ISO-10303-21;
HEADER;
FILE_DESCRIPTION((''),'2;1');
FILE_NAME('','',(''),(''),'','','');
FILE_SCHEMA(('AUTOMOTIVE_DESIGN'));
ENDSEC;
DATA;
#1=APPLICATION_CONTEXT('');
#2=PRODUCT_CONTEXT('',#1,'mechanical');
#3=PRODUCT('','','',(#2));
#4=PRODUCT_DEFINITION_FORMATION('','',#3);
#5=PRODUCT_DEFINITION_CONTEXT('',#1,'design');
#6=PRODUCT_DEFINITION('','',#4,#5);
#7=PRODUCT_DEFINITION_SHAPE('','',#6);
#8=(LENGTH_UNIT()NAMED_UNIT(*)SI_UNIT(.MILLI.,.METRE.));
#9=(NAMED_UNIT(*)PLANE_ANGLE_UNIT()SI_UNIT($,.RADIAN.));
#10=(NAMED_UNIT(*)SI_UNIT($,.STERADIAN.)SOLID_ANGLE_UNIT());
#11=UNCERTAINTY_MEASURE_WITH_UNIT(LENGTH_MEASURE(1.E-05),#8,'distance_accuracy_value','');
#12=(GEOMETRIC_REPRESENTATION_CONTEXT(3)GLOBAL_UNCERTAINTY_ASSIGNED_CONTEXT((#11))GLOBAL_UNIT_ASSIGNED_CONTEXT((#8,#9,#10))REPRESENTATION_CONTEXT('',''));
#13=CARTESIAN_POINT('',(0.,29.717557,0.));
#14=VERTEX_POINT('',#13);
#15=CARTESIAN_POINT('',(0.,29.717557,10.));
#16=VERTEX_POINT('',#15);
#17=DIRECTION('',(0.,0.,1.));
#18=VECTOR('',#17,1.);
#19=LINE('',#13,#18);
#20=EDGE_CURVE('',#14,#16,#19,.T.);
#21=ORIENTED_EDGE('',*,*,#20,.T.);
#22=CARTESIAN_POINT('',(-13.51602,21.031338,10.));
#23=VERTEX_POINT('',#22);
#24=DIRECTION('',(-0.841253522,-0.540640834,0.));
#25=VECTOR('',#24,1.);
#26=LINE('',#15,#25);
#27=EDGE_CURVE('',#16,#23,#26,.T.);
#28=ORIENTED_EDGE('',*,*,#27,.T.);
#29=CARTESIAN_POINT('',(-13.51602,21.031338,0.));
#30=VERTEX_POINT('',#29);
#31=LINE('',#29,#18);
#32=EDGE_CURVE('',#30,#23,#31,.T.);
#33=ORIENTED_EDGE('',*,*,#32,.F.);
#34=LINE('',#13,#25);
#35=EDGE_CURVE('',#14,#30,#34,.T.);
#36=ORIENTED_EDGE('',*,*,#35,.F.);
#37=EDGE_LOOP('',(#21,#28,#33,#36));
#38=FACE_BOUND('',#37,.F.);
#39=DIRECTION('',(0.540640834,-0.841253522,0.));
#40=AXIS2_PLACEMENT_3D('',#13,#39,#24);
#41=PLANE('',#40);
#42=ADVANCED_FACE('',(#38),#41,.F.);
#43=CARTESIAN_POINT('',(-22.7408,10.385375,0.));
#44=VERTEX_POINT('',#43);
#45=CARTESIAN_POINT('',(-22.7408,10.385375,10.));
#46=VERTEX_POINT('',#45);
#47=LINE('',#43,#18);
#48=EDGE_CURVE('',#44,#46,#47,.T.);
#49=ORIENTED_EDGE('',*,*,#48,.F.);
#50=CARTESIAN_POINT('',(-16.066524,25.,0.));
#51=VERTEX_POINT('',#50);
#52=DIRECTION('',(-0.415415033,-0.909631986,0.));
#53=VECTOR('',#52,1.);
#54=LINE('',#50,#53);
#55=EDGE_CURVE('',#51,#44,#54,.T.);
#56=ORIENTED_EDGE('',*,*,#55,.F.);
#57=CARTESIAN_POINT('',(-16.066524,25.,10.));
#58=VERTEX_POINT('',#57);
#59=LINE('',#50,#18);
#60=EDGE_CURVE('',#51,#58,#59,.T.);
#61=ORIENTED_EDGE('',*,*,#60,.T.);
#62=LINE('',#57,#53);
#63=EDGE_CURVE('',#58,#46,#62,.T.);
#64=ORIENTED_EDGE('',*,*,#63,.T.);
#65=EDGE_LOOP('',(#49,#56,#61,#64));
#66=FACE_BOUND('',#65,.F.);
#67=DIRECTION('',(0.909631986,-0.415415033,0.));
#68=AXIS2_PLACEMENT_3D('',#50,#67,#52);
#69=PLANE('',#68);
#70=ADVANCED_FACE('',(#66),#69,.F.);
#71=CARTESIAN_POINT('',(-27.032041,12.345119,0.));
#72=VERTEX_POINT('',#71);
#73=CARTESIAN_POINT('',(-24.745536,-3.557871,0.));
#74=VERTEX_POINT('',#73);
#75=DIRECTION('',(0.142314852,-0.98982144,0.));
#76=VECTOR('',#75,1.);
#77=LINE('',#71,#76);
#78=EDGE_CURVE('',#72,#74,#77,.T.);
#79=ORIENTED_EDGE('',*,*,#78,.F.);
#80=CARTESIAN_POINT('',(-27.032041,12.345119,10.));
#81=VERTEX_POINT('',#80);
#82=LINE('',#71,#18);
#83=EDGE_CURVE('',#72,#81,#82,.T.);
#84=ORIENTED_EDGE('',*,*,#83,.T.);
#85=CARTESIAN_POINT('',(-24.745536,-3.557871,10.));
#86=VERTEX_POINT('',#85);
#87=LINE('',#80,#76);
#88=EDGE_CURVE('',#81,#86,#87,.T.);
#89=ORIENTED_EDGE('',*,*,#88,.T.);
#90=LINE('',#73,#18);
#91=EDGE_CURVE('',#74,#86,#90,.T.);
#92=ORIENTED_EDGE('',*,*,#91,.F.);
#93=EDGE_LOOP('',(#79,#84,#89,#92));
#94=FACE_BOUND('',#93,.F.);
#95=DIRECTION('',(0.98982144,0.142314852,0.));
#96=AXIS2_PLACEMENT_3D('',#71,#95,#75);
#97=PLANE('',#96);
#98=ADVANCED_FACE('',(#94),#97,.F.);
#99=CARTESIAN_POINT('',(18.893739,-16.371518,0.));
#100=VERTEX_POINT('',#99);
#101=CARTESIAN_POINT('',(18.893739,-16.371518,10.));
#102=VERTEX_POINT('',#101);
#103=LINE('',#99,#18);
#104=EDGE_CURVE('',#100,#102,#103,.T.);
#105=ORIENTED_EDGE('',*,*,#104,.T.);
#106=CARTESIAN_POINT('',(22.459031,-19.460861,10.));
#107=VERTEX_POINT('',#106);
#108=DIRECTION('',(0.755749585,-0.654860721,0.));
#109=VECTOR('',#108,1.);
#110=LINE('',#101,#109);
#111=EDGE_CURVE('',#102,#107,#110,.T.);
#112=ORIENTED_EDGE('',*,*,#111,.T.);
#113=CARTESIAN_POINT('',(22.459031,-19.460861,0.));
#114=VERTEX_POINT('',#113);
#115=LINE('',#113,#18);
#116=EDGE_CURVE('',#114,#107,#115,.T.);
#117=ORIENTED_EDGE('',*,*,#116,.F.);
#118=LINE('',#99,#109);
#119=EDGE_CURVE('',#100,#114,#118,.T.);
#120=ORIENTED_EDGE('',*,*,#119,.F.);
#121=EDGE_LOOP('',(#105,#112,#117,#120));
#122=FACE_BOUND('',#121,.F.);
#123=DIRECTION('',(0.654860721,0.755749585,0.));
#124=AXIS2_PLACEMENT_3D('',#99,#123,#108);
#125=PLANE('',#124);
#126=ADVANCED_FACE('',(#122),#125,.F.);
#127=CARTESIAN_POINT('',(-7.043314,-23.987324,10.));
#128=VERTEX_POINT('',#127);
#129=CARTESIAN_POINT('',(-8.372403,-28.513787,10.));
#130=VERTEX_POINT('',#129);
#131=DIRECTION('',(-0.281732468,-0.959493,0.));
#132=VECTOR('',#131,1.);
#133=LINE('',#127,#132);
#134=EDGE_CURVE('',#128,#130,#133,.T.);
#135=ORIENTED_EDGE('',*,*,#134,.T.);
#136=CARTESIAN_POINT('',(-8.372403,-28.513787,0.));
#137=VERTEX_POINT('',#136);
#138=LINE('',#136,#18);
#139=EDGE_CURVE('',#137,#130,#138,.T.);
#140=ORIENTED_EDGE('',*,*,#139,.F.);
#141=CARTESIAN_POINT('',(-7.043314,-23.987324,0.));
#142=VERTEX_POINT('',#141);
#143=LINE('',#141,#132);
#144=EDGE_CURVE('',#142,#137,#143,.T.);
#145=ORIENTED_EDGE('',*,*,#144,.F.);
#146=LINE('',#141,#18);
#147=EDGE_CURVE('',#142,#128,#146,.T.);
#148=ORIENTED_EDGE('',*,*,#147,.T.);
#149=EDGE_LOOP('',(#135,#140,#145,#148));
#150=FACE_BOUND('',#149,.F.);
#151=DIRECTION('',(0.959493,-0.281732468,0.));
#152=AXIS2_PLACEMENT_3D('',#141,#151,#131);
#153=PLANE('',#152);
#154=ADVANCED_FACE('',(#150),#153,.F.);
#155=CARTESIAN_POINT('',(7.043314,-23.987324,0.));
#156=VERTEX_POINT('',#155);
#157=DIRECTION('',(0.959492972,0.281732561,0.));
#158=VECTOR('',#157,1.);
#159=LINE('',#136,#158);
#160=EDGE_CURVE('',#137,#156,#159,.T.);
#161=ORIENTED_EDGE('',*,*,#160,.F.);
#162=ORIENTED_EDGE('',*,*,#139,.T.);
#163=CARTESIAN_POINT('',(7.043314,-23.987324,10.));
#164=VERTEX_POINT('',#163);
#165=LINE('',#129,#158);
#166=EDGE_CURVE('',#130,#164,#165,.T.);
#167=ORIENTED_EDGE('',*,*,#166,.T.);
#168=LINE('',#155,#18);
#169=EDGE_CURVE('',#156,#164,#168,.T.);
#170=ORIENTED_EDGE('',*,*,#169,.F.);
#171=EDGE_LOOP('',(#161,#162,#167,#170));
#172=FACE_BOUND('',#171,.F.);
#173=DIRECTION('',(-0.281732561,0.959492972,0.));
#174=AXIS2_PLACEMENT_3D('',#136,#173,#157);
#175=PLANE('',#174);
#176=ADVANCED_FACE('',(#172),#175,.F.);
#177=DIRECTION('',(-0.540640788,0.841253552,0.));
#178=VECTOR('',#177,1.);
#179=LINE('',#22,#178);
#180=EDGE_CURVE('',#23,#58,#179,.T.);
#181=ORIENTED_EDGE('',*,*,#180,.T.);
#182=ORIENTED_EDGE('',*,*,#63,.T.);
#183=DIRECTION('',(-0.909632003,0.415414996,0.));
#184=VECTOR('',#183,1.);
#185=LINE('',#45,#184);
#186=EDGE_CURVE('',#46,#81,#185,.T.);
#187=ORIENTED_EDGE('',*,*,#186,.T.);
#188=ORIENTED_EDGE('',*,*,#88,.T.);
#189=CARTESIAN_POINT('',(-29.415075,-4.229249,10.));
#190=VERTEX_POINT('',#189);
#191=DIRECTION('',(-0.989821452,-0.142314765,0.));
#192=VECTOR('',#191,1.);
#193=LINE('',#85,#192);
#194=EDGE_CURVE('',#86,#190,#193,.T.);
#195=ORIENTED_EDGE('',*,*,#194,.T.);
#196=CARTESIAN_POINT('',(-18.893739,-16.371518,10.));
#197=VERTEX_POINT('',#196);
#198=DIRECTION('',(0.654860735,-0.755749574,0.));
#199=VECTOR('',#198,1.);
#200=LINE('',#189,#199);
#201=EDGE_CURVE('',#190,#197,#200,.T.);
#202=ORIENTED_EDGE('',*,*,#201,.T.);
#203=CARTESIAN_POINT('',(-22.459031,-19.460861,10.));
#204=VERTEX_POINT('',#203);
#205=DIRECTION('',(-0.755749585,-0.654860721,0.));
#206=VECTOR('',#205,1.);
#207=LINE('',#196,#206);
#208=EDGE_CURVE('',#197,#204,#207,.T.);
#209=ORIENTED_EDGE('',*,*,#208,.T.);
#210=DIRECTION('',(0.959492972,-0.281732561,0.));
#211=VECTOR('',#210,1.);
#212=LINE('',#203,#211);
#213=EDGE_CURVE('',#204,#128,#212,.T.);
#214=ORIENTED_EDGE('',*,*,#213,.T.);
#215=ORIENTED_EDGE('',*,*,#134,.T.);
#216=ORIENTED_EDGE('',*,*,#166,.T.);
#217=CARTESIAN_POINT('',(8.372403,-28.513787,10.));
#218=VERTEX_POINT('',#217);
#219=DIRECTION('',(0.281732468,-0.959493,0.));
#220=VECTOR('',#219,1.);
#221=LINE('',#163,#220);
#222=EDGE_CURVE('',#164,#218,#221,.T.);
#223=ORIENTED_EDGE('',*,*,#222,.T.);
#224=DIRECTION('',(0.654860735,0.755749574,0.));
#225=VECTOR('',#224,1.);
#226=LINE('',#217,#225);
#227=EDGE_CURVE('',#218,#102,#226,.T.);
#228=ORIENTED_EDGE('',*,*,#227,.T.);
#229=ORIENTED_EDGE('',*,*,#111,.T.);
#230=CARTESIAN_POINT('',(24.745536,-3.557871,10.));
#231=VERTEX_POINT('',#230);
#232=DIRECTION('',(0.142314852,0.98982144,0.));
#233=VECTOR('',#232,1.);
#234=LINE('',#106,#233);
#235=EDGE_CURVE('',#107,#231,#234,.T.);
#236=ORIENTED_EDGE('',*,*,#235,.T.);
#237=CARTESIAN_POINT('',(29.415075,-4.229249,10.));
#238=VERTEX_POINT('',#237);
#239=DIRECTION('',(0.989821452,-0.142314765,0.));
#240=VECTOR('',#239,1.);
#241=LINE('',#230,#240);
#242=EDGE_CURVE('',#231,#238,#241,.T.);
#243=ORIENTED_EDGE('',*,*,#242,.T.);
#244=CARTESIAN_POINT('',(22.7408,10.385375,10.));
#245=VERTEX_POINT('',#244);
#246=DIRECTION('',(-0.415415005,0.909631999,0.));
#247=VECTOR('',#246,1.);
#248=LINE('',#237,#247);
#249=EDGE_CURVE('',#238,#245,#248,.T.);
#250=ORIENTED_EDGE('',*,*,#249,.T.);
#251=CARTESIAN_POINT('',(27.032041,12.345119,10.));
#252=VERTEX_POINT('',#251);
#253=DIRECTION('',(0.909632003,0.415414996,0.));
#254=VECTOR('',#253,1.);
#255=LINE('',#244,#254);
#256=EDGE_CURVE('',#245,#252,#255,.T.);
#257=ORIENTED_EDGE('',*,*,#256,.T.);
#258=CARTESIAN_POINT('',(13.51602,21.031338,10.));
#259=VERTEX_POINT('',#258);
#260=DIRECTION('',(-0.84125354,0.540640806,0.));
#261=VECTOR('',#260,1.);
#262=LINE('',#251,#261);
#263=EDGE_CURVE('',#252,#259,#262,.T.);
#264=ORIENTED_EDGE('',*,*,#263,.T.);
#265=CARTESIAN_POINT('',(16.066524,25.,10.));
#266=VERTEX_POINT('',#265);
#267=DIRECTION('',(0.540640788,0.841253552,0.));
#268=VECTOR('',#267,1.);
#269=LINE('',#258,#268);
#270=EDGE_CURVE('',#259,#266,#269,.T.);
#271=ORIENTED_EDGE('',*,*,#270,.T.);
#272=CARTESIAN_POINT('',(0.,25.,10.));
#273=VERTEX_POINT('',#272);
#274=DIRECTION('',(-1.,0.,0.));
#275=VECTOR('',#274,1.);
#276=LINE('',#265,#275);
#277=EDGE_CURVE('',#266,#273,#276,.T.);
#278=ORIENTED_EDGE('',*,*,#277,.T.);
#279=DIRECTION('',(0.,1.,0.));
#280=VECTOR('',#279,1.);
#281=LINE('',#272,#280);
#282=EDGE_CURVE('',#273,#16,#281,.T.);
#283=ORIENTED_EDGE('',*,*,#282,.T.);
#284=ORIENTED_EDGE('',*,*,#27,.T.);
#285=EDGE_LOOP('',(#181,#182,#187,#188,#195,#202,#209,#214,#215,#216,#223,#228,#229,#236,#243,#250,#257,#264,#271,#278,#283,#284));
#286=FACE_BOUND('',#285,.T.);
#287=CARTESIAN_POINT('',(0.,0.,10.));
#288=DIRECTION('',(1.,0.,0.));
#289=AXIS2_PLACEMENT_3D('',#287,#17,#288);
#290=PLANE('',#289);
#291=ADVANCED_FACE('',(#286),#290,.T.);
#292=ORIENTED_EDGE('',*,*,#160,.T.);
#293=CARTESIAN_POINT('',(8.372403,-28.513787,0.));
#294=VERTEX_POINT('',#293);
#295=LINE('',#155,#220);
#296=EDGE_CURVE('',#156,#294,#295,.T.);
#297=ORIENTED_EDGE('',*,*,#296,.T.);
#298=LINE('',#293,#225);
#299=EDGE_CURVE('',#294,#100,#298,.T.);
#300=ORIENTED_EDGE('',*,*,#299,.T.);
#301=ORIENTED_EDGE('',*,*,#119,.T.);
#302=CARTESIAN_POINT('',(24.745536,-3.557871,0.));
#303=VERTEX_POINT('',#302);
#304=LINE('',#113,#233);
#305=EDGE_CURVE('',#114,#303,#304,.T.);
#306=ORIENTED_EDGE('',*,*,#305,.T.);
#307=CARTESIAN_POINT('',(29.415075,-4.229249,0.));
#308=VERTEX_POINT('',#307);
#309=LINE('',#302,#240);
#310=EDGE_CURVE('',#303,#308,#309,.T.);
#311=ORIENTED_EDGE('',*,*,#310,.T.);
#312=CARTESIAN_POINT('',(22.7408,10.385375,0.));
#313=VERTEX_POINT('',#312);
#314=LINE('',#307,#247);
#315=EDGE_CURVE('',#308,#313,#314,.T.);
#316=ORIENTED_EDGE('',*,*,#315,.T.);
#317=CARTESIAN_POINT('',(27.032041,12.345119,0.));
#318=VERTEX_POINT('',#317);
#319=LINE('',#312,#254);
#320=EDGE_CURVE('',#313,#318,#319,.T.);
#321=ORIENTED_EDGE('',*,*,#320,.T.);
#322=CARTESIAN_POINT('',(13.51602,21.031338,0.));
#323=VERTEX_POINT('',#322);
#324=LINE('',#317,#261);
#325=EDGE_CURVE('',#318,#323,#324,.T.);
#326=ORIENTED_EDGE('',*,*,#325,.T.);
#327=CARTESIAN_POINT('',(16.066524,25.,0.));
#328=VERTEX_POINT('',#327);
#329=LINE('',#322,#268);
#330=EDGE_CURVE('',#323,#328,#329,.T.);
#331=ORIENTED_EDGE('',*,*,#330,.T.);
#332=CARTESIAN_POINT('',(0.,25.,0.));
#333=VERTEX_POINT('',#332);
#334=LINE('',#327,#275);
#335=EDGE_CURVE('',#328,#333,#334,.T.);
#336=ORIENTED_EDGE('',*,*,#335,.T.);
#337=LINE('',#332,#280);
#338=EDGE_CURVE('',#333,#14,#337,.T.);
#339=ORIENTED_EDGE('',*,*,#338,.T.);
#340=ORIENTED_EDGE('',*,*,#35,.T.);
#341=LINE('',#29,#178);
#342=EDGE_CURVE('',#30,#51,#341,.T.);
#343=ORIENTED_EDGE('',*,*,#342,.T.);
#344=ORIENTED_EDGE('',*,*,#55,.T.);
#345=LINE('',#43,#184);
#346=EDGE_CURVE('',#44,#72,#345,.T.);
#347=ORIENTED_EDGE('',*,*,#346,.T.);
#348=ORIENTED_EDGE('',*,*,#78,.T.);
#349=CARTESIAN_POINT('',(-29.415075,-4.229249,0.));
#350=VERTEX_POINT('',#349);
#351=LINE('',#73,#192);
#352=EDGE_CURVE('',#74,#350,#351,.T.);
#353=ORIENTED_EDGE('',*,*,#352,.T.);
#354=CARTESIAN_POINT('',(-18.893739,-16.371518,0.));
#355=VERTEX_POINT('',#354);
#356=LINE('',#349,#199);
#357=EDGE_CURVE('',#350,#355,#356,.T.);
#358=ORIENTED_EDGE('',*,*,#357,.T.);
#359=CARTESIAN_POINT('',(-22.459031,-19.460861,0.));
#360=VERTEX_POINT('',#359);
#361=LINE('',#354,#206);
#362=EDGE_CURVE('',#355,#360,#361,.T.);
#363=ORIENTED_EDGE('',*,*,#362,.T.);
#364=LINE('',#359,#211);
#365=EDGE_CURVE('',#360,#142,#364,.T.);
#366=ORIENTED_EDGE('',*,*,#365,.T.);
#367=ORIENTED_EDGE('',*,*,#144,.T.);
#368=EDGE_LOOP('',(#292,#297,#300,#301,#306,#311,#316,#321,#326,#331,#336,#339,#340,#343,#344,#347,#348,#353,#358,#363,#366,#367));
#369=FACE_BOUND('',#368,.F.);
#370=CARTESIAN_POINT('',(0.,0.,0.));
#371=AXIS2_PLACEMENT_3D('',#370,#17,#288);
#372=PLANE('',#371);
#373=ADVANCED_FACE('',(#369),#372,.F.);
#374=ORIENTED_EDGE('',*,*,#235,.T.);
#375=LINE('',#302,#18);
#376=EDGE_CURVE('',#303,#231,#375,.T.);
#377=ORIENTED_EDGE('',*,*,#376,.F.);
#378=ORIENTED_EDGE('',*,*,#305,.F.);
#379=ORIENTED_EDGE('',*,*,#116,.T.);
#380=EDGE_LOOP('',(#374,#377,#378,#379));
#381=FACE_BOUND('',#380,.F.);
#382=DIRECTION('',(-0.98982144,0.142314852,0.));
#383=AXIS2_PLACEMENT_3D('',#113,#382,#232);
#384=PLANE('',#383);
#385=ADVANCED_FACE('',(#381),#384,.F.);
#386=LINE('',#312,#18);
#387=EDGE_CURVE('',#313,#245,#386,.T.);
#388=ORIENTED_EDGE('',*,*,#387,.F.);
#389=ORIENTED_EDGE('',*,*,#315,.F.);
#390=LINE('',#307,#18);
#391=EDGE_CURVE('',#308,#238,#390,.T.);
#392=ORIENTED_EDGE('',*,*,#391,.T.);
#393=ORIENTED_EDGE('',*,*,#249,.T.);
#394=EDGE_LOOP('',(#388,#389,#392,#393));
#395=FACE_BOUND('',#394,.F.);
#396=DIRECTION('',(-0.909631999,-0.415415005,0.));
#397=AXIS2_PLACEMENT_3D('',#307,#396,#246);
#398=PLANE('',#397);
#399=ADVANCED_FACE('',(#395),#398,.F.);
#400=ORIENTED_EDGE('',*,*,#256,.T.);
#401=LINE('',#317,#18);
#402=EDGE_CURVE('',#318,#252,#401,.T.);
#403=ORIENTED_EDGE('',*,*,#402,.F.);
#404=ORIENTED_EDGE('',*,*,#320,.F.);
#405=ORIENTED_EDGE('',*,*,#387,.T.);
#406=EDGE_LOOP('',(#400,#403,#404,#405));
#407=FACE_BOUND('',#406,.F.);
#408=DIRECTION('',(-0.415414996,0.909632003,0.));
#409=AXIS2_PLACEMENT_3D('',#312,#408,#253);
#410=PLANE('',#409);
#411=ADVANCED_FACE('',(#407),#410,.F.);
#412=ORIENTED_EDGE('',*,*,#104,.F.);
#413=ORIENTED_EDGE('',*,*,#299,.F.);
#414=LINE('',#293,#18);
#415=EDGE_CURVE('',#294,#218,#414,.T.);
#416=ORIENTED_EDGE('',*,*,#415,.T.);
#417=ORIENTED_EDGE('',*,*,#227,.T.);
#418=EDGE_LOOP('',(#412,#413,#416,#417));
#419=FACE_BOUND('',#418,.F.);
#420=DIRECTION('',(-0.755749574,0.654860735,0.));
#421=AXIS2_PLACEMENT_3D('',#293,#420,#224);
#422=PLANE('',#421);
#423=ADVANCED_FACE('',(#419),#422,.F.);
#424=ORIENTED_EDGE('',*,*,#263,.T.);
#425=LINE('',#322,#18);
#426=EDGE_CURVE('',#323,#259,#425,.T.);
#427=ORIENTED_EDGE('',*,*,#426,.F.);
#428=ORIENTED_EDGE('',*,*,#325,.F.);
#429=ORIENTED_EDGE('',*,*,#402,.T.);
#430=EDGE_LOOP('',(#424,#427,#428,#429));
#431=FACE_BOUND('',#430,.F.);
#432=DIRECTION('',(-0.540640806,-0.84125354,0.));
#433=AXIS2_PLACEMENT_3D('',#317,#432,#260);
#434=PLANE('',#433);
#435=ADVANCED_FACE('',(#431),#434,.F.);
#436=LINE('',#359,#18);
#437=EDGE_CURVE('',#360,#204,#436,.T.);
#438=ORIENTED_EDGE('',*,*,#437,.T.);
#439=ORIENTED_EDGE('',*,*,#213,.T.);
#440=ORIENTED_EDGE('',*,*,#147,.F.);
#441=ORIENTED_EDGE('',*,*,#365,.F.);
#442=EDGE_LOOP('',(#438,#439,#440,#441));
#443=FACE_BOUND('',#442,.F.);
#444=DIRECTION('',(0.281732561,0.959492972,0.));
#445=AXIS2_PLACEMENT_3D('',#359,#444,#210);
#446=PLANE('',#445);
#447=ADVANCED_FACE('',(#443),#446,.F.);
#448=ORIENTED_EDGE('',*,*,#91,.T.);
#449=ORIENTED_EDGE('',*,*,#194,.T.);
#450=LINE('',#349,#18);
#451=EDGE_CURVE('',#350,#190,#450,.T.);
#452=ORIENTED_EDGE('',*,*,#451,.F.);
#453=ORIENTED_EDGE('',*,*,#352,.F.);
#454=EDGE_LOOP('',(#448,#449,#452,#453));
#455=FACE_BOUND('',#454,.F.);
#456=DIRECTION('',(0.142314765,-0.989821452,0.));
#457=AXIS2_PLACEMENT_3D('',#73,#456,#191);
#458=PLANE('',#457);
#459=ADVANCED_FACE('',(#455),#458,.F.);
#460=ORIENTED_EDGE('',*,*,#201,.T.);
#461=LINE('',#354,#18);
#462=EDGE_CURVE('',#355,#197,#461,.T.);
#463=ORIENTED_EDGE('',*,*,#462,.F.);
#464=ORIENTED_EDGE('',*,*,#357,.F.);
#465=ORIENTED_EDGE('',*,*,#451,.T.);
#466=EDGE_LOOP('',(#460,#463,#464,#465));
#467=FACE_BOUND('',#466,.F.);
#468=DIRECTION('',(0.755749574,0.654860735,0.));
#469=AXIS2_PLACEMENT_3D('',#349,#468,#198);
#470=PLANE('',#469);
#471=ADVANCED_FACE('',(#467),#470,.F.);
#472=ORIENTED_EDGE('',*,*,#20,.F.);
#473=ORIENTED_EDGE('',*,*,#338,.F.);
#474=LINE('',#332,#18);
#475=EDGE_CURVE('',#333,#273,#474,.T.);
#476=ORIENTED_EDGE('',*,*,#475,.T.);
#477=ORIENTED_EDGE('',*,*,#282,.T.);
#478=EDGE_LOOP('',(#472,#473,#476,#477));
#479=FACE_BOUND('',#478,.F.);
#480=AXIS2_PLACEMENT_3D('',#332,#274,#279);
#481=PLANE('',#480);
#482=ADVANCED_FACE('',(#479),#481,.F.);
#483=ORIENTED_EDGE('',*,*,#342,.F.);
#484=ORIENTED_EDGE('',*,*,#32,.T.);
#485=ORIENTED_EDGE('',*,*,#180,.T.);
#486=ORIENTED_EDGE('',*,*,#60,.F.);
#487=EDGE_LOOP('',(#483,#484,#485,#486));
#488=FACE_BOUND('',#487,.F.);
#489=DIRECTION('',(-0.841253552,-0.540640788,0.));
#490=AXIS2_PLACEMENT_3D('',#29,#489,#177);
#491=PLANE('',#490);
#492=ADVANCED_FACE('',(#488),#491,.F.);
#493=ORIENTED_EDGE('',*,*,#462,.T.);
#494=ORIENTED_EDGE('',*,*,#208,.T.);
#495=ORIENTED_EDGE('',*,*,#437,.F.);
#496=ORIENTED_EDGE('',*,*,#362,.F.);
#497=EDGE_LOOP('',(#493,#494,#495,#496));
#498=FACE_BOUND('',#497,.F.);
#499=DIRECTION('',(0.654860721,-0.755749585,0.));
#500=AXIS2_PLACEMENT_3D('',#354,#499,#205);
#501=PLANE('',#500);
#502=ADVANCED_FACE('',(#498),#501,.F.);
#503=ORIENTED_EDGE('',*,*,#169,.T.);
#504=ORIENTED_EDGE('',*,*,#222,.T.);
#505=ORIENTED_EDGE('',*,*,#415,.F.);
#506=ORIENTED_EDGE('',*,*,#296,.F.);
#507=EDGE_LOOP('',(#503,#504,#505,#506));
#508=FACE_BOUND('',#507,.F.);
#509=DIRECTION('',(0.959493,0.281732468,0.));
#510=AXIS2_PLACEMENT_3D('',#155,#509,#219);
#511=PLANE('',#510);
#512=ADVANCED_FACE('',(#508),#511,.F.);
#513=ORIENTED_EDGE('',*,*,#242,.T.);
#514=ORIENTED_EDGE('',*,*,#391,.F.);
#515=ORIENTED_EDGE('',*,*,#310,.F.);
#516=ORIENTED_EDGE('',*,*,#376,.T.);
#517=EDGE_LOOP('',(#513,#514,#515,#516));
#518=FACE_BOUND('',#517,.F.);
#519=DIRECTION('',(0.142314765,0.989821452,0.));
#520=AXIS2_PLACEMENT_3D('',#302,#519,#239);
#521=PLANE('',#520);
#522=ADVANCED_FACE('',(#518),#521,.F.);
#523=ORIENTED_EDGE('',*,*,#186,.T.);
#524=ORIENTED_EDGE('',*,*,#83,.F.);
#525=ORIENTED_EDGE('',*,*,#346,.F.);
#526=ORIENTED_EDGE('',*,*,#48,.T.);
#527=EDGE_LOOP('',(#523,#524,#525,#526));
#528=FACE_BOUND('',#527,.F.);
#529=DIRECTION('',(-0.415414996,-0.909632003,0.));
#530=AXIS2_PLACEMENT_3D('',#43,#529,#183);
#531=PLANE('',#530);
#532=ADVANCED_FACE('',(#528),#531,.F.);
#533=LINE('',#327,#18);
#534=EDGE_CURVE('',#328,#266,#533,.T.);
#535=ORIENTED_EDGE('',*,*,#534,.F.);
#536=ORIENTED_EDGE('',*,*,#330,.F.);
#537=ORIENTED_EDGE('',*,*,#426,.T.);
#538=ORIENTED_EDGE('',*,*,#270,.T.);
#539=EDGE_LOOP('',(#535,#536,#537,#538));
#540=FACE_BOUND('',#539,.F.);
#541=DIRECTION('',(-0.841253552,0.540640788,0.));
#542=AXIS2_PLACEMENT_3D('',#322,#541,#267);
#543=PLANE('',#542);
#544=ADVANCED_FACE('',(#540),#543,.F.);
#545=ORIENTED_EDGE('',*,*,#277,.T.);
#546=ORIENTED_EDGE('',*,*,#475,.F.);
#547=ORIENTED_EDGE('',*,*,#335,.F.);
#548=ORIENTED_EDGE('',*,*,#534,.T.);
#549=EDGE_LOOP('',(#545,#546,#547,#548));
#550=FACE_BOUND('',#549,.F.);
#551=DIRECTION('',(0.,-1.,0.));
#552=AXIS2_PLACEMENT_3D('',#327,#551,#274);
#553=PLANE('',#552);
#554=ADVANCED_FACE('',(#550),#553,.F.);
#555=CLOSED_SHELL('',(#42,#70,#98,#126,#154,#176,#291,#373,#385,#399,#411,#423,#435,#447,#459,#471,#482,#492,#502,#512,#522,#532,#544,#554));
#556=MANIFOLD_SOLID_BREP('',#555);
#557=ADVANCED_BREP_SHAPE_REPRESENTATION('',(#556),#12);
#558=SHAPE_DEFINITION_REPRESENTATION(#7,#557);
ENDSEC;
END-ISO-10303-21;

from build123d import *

# Parameters (mm, degrees)
F1_DEPTH = 10


with BuildPart() as f1:
    # F0 (on Top) → F1 (new body)
    with BuildSketch(Plane.XY):
        Polygon((0, 25), (0, 29.717557), (-13.51602, 21.031338), (-16.066524, 25), (-22.7408, 10.385375), (-27.032041, 12.345119), (-24.745536, -3.557871), (-29.415075, -4.229249), (-18.893739, -16.371518), (-22.459031, -19.460861), (-7.043314, -23.987324), (-8.372403, -28.513787), (7.043314, -23.987324), (8.372403, -28.513787), (18.893739, -16.371518), (22.459031, -19.460861), (24.745536, -3.557871), (29.415075, -4.229249), (22.7408, 10.385375), (27.032041, 12.345119), (13.51602, 21.031338), (16.066524, 25), align=None)
    extrude(amount=F1_DEPTH)


solid = f1.part
